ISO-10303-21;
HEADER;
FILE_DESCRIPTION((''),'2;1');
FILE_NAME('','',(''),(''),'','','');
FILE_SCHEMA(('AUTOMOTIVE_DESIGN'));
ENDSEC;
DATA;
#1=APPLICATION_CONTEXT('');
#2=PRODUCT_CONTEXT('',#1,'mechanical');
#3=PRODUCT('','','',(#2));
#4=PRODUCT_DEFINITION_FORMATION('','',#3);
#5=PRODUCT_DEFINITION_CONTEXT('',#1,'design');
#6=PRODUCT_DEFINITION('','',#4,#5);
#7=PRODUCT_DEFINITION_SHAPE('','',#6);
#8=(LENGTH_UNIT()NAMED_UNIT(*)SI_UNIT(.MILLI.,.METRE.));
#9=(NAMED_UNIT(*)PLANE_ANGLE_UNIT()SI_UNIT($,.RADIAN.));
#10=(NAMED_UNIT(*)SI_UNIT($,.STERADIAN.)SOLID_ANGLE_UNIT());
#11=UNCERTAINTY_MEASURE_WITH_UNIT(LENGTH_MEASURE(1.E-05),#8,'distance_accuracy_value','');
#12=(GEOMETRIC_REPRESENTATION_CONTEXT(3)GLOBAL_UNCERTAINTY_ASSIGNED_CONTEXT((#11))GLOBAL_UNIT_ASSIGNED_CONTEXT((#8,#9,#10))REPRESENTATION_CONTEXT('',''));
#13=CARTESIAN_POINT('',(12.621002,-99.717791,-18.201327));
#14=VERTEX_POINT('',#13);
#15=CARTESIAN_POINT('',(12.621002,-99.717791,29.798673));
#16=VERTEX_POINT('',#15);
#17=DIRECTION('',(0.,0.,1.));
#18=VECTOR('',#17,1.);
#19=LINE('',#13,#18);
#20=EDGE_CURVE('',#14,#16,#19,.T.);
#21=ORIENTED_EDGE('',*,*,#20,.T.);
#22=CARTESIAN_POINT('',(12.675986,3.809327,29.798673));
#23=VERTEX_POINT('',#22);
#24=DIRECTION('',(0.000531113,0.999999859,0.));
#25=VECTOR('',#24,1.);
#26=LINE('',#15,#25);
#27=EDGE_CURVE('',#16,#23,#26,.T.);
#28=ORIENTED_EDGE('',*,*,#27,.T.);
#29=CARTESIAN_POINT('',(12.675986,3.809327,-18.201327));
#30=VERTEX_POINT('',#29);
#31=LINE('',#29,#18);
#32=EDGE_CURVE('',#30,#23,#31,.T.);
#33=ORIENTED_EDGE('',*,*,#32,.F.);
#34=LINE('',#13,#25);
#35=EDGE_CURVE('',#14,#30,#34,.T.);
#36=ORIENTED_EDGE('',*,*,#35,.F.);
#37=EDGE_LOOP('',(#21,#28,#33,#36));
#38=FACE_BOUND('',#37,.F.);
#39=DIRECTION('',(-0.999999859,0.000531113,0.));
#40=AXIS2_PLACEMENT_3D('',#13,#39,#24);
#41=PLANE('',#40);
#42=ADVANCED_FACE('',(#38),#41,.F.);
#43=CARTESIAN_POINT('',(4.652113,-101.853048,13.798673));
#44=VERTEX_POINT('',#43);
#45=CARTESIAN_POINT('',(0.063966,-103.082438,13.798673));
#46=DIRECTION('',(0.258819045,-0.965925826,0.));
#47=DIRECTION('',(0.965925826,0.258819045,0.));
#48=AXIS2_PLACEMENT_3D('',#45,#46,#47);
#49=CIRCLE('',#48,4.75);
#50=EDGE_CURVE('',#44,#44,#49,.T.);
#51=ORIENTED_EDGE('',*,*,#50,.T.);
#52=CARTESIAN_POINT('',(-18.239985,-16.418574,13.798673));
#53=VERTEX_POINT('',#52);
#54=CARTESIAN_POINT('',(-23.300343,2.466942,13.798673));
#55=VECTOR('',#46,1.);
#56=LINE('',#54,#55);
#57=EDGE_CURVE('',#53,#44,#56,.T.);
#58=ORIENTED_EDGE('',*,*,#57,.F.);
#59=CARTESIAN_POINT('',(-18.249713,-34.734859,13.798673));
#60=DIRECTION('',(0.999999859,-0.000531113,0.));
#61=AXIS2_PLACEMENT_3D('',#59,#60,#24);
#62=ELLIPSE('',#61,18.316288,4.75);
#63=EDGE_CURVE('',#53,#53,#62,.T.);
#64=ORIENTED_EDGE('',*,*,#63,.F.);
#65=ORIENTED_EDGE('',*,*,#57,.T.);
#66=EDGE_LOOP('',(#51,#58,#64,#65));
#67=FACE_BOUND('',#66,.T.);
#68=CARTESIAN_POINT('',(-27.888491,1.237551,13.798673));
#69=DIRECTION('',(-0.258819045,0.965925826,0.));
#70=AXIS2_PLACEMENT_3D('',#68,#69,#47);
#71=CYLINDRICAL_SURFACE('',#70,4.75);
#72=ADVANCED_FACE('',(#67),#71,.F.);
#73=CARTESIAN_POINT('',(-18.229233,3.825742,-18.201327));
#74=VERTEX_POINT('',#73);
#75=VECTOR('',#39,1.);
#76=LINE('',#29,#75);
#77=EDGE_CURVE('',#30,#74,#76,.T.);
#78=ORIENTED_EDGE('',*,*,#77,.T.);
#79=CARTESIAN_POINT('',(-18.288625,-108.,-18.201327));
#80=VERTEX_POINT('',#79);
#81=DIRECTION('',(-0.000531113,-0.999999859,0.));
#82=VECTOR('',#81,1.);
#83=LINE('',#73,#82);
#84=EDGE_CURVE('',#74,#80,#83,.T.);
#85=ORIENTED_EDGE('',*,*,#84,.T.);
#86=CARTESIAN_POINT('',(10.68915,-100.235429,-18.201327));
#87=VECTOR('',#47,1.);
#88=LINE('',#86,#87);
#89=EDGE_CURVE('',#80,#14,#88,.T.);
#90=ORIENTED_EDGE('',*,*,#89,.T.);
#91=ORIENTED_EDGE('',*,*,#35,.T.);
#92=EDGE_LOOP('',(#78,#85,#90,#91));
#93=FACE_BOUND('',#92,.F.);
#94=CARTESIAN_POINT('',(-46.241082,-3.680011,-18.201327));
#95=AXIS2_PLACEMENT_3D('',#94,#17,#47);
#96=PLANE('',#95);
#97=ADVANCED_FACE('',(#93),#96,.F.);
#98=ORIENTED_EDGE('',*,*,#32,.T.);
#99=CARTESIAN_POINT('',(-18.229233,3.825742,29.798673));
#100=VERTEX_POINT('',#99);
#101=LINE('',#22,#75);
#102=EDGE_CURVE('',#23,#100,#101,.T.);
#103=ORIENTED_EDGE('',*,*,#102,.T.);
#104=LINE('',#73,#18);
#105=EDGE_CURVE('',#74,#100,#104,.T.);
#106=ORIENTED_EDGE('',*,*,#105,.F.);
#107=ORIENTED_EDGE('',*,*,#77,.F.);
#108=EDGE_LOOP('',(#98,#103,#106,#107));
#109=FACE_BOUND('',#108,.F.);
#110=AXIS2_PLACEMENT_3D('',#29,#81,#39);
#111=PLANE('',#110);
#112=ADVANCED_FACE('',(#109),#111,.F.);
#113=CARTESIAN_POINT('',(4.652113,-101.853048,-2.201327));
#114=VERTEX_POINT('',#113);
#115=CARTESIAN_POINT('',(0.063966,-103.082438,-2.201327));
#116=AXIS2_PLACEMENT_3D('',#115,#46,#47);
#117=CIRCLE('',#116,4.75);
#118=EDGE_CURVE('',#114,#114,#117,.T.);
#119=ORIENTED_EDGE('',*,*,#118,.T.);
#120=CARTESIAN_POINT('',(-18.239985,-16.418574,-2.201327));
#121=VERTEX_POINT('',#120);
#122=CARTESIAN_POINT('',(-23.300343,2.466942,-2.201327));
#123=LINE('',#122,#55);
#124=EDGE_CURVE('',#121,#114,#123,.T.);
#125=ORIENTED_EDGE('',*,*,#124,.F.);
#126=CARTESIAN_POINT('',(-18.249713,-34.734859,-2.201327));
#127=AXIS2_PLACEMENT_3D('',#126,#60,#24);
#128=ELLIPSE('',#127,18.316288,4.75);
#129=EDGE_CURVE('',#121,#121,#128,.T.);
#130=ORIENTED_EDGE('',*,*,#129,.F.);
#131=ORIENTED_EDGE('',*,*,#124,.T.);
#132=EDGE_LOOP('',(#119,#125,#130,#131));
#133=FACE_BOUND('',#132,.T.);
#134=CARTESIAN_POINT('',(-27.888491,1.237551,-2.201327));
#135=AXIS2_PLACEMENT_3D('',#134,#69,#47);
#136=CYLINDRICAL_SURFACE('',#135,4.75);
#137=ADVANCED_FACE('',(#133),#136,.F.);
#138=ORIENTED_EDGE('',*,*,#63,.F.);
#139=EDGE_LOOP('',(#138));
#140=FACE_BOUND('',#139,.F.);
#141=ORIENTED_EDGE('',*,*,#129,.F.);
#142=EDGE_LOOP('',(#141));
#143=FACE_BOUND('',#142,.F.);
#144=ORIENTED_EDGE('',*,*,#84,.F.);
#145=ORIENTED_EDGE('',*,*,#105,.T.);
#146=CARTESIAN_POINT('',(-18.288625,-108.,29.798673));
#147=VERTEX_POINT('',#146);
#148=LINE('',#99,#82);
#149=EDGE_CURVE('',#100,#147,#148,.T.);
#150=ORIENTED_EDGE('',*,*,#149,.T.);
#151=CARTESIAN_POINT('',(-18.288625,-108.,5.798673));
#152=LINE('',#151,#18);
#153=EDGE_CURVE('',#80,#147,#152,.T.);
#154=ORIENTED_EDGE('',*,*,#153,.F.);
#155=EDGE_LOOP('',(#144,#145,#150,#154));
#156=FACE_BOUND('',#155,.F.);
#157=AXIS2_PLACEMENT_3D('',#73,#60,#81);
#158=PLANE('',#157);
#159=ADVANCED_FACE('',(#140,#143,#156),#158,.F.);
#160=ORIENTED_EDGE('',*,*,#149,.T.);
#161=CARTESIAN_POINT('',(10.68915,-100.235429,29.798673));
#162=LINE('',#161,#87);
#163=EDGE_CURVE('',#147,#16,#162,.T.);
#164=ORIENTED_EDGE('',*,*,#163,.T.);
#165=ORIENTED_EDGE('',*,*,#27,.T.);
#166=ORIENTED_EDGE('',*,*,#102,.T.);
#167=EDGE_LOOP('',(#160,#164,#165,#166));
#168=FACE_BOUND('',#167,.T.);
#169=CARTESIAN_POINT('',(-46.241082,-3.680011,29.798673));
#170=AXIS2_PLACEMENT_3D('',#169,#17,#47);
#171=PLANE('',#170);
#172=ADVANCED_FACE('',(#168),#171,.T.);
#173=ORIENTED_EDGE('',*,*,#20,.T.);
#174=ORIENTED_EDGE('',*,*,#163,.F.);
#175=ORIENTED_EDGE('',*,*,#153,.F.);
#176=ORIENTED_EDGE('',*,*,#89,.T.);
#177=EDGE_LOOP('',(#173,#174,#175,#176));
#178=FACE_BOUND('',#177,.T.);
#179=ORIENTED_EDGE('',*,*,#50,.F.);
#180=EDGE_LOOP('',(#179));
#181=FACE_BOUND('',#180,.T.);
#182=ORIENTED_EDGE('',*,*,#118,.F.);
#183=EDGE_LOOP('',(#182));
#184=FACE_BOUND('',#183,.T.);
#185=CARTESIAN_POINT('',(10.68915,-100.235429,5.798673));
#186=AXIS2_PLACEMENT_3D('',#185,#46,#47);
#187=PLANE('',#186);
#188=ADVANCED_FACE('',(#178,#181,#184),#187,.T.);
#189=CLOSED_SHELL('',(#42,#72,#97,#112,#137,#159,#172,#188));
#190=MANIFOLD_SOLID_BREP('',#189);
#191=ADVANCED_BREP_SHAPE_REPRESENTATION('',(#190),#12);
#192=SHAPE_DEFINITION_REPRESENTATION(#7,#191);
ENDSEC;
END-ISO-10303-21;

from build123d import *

# Parameters (mm, degrees)
F0_W      = 60
F0_H      = 48
F0_R      = 4.75
F1_DEPTH  = 108
F3_DEPTH  = 48
F5_DEPTH  = 48
F7_DEPTH  = 48
F9_DEPTH  = 48
F10_ANGLE = -15


with BuildPart() as f1:
    # F0 (on Front) → F1 (new body)
    with BuildSketch(Plane.XZ):
        with Locations((11.7113751173, 5.7986730486)):
            Rectangle(F0_W, F0_H)
        with Locations((0.7113751173, -2.2013269514)):
            Circle(F0_R, mode=Mode.SUBTRACT)
        with Locations((0.7113751173, 13.7986730486)):
            Circle(F0_R, mode=Mode.SUBTRACT)
    extrude(amount=F1_DEPTH)

    # F2 (on face) → F3 (cut)
    with BuildSketch(Plane(origin=(0, 0, -18.2013269514), x_dir=(1, 0, 0), z_dir=(0, 0, -1))):
        Polygon((10.7113751173, 0), (-18.2886248827, 108), (-18.2886248827, 0), align=None)
    extrude(amount=-F3_DEPTH, mode=Mode.SUBTRACT)

    # F4 (on face) → F5 (cut)
    with BuildSketch(Plane(origin=(0, 0, -18.2013269514), x_dir=(1, 0, 0), z_dir=(0, 0, -1))):
        Polygon((41.7113751173, 108), (41.7113751173, 3.724137931), (42.3088373496, 1.4991061694), (42.3088373496, 108), align=None)
        Polygon((41.7113751173, 108), (13.7113751173, 108), (41.7113751173, 3.724137931), align=None)
    extrude(amount=-F5_DEPTH, mode=Mode.SUBTRACT)

    # F6 (on face) → F7 (cut)
    with BuildSketch(Plane(origin=(0, 0, -18.2013269514), x_dir=(1, 0, 0), z_dir=(0, 0, -1))):
        Polygon((41.7113751173, 3.724137931), (10.7113751173, 0), (41.7113751173, 0), align=None)
    extrude(amount=-F7_DEPTH, mode=Mode.SUBTRACT)

    # F8 (on face) → F9 (cut)
    with BuildSketch(Plane(origin=(0, 0, -18.2013269514), x_dir=(1, 0, 0), z_dir=(0, 0, -1))):
        Polygon((40.559275957, 8.0147141144), (10.7113751173, 0), (42.3792054196, 1.2370457707), align=None)
    extrude(amount=-F9_DEPTH, mode=Mode.SUBTRACT)


with BuildPart() as f1_1:
    # F10: moved
    add(f1.part.rotate(Axis((-18.2886248827, -108, 5.7986730486), (0, 0, -1)), F10_ANGLE))


solid = f1_1.part
